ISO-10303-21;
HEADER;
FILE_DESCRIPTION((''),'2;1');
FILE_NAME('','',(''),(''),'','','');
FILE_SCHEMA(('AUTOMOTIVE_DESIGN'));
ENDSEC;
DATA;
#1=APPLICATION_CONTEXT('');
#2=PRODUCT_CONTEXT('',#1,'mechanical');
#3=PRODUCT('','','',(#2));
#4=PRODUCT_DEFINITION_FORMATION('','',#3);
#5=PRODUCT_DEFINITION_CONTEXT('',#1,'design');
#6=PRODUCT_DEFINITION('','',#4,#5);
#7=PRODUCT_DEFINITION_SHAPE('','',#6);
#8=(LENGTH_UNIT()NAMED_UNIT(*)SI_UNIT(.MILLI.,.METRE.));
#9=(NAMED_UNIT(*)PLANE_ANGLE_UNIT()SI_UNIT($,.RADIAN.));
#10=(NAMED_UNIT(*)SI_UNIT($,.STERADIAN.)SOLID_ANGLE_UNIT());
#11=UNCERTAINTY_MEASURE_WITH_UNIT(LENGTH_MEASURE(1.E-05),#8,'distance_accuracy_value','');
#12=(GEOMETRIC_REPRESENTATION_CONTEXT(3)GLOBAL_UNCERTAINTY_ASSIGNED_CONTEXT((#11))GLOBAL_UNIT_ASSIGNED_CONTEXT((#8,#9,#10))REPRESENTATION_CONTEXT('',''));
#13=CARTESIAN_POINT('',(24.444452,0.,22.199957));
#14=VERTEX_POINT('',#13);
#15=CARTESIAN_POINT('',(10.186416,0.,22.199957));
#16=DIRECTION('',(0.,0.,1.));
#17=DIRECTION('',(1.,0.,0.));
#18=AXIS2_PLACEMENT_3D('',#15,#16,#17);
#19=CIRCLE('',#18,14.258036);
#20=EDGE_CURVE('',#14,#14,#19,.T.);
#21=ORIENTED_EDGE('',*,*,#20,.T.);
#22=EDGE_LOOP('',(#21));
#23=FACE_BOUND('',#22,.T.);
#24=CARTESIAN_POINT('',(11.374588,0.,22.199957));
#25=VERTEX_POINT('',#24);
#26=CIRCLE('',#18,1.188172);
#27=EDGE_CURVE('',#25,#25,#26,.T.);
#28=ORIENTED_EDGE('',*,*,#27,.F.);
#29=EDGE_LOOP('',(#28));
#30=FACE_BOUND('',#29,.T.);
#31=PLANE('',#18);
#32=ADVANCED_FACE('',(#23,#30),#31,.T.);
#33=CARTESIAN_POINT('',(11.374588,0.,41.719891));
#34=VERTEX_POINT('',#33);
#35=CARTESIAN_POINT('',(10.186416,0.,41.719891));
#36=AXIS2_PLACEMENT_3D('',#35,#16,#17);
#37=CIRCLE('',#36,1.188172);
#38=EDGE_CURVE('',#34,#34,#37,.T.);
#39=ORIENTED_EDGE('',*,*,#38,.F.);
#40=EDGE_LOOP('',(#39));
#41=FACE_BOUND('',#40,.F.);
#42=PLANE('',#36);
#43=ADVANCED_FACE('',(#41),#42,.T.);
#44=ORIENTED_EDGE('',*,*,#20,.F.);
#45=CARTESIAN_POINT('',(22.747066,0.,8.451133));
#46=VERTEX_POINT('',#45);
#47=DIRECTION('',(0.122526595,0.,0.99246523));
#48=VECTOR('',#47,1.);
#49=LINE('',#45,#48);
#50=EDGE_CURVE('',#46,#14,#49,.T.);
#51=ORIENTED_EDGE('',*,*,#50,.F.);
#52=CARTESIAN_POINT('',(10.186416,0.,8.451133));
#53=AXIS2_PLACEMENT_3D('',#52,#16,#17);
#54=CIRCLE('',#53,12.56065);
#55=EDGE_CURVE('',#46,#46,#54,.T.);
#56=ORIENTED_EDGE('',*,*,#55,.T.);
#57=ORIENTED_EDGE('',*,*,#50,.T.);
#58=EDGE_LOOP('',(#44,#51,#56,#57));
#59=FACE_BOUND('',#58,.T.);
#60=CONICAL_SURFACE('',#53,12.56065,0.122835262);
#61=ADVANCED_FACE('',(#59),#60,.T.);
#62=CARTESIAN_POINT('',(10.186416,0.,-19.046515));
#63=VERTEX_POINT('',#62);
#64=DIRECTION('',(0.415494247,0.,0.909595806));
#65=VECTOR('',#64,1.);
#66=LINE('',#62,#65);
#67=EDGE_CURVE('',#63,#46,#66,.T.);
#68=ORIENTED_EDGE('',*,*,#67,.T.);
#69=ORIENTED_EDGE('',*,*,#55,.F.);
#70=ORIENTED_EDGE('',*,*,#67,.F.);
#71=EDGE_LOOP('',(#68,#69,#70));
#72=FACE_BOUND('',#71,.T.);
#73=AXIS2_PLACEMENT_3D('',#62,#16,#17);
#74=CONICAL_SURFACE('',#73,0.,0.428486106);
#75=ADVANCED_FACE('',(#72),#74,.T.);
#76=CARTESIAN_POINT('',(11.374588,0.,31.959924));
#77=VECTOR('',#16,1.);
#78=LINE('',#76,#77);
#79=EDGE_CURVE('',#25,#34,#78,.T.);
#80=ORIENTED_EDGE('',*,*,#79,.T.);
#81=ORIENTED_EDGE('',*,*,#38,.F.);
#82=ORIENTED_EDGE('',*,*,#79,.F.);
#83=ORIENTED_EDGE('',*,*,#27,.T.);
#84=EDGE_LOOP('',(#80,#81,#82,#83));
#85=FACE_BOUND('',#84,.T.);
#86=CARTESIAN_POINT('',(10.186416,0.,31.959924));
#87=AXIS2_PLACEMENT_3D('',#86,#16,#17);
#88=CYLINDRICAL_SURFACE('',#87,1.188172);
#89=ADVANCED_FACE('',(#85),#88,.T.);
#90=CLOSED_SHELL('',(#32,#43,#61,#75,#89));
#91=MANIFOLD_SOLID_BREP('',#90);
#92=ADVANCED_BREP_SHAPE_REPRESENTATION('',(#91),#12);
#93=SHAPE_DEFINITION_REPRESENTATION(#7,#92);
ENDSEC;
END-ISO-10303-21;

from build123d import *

# Parameters (mm, degrees)
F0_W = 1.188172
F0_H = 19.519934


with BuildPart() as f1:
    # F0 (on Front) → F1 (revolve)
    with BuildSketch(Plane.XZ):
        Polygon((10.186416, -19.046515), (22.747066, 8.451133), (24.444452, 22.199957), (11.374588, 22.199957), (10.186416, 22.199957), align=None)
        with Locations((10.780502, 31.959924)):
            Rectangle(F0_W, F0_H)
    revolve(axis=Axis((10.186416, 0, 1.576721), (0, 0, 1)))


solid = f1.part
